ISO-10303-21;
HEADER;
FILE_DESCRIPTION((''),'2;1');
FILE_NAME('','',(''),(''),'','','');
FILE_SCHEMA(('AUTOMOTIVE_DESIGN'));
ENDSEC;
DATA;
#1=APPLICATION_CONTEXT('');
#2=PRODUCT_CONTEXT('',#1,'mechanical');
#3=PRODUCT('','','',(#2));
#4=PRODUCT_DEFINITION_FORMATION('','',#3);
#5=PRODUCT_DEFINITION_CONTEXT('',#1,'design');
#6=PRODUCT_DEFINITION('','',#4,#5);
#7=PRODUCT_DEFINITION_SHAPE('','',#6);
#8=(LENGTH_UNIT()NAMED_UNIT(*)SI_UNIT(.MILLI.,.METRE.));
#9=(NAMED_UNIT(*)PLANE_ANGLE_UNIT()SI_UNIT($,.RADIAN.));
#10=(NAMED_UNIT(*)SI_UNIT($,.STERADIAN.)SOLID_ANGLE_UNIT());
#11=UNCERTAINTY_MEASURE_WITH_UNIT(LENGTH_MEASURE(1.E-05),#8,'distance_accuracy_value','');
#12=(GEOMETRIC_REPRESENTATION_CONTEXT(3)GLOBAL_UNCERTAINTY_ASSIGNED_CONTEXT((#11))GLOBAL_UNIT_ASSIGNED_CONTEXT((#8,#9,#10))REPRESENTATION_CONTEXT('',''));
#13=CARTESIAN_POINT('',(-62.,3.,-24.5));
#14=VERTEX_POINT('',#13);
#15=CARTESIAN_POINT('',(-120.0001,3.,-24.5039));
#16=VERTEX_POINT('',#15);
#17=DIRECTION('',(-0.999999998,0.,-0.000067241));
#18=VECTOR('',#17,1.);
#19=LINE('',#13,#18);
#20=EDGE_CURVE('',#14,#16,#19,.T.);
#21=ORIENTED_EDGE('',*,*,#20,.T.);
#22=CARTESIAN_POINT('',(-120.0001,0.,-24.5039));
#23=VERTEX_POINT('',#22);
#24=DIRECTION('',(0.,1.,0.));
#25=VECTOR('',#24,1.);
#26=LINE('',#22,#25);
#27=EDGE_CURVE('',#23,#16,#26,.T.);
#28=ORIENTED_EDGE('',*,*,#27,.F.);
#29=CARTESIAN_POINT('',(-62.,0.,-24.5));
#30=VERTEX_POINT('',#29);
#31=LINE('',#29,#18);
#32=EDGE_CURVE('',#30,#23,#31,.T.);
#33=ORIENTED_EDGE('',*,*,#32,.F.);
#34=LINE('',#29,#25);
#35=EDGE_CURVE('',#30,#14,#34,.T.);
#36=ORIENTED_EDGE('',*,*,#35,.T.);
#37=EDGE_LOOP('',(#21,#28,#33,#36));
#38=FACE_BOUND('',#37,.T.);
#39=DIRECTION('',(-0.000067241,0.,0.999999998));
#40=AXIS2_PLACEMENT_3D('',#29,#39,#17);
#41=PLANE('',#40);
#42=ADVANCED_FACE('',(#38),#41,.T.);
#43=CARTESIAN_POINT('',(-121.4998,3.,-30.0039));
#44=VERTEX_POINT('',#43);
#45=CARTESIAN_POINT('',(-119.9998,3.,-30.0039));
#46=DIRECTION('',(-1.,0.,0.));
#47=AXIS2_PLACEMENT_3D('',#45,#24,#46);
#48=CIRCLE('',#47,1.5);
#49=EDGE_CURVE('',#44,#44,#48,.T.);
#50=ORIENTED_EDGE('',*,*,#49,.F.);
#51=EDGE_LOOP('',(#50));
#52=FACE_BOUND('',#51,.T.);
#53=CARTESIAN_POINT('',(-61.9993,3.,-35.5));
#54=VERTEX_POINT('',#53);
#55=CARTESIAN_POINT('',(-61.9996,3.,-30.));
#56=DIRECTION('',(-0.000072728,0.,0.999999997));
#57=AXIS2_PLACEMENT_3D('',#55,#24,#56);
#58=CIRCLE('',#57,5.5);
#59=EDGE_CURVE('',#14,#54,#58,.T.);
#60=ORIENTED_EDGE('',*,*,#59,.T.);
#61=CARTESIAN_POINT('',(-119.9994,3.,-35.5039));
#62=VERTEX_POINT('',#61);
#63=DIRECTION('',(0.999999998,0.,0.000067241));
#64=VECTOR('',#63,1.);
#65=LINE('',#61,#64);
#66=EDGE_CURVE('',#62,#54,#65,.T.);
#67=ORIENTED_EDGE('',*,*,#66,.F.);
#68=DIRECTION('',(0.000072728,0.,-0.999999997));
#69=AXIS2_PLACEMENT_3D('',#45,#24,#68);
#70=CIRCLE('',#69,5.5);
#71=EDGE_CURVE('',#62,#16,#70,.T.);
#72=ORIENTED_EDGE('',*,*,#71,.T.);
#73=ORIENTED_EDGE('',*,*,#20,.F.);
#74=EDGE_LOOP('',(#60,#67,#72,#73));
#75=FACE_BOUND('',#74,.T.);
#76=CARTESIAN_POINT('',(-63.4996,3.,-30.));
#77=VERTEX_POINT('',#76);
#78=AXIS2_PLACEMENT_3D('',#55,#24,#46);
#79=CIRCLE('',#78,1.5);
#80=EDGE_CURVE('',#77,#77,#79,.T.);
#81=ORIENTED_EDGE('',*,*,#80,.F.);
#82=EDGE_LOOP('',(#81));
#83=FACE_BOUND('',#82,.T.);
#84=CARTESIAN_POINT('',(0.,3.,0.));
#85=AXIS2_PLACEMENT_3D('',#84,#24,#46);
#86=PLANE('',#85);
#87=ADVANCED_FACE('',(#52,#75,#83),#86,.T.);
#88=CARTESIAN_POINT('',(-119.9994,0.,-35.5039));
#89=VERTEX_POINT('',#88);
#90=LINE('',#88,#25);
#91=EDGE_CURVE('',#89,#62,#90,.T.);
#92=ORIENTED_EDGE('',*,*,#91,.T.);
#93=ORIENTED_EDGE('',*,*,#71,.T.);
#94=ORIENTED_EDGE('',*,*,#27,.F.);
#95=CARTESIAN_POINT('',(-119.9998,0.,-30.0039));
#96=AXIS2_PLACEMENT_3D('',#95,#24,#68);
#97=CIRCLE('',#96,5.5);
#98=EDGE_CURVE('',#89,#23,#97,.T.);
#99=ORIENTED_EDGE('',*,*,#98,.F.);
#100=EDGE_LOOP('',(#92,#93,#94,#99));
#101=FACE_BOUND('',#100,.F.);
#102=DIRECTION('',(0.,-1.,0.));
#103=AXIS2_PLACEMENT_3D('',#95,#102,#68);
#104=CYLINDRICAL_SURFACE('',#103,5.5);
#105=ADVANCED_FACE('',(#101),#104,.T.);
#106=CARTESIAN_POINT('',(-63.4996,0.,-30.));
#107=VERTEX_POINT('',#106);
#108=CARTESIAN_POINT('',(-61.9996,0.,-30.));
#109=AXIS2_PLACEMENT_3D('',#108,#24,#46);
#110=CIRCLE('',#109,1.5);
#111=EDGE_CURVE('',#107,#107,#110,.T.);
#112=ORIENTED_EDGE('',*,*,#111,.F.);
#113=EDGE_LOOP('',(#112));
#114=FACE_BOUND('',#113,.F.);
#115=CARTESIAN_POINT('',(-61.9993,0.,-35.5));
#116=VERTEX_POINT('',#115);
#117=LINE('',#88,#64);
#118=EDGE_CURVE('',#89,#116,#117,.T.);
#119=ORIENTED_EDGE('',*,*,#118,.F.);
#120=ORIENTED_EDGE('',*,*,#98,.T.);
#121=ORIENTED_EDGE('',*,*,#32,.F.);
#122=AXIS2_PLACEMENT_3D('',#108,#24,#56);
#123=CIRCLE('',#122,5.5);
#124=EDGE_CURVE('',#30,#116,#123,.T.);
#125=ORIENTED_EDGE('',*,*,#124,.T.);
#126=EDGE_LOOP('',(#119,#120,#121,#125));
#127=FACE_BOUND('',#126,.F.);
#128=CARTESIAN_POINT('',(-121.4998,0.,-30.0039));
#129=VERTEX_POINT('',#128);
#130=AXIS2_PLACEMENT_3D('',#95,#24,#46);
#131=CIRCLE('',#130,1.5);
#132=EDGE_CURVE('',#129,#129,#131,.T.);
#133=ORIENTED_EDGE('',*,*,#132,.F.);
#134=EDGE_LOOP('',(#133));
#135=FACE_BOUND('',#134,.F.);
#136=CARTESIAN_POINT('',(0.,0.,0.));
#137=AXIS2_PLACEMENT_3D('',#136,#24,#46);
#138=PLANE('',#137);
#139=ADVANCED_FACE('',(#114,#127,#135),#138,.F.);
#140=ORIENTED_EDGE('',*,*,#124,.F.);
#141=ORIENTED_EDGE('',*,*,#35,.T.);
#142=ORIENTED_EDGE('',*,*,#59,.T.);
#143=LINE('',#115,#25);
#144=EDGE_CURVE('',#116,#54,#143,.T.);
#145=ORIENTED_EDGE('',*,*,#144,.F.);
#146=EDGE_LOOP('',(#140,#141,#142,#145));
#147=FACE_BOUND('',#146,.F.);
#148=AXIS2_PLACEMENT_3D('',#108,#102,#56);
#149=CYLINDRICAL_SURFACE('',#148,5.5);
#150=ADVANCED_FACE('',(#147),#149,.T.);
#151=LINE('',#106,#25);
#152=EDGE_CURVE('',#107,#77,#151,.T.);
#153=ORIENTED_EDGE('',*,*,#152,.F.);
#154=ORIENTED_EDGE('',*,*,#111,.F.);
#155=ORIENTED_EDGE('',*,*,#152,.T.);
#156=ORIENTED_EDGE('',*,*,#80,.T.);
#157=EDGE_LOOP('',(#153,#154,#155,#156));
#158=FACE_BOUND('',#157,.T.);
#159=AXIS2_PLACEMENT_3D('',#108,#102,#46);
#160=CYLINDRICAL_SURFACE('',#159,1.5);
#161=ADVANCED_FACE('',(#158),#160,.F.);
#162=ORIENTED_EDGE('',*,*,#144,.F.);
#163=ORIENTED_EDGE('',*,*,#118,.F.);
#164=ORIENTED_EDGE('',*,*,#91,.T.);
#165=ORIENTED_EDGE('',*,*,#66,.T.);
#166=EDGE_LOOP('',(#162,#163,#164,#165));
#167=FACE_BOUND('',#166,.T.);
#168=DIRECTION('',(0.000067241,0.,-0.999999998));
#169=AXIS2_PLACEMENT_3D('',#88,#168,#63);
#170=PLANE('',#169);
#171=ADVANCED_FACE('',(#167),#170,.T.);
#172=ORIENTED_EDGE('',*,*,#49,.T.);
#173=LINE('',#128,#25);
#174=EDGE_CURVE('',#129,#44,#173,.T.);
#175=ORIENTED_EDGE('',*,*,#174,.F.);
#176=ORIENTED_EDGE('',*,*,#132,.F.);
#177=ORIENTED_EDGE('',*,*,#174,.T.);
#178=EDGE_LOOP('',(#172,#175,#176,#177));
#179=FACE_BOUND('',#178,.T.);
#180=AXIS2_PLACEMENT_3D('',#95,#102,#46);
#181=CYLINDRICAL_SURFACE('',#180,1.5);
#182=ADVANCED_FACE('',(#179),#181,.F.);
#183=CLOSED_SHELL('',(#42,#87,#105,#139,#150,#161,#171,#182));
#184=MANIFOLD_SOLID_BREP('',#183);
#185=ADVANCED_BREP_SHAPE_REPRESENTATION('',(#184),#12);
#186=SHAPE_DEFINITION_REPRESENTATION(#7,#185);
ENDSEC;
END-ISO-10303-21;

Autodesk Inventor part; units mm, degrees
ref_plane "YZ Plane" through (0, 0, 0) normal (1, 0, 0) x (0, 1, 0)
ref_plane "XZ Plane" through (0, 0, 0) normal (0, 1, 0) x (-1, 0, 0)
ref_plane "XY Plane" through (0, 0, 0) normal (0, 0, 1) x (1, 0, 0)
sketch "Boceto1" plane through (0, 0, 0) normal (0, 1, 0) x (-1, 0, 0)
  arc A0 (119.9994, -35.5039) -> (120.0001, -24.5039) centre (119.9998, -30.0039) ccw
  arc A1 (62, -24.5) -> (61.9993, -35.5) centre (61.9996, -30) ccw
  line L0 (62, -24.5) -> (120.0001, -24.5039)
  line L1 (119.9994, -35.5039) -> (61.9993, -35.5)
  circle A2 centre (119.9998, -30.0039) radius 1.5
  circle A3 centre (61.9996, -30) radius 1.5
  point P0 (124.9998, -30.0039)
  point P1 (119.9998, -25.0039)
  dimension "d172" = 3
  dimension "d173" = 3
extrude "Extrusión1" add sketch "Boceto1" along normal blind 3
properties part number "biela"
